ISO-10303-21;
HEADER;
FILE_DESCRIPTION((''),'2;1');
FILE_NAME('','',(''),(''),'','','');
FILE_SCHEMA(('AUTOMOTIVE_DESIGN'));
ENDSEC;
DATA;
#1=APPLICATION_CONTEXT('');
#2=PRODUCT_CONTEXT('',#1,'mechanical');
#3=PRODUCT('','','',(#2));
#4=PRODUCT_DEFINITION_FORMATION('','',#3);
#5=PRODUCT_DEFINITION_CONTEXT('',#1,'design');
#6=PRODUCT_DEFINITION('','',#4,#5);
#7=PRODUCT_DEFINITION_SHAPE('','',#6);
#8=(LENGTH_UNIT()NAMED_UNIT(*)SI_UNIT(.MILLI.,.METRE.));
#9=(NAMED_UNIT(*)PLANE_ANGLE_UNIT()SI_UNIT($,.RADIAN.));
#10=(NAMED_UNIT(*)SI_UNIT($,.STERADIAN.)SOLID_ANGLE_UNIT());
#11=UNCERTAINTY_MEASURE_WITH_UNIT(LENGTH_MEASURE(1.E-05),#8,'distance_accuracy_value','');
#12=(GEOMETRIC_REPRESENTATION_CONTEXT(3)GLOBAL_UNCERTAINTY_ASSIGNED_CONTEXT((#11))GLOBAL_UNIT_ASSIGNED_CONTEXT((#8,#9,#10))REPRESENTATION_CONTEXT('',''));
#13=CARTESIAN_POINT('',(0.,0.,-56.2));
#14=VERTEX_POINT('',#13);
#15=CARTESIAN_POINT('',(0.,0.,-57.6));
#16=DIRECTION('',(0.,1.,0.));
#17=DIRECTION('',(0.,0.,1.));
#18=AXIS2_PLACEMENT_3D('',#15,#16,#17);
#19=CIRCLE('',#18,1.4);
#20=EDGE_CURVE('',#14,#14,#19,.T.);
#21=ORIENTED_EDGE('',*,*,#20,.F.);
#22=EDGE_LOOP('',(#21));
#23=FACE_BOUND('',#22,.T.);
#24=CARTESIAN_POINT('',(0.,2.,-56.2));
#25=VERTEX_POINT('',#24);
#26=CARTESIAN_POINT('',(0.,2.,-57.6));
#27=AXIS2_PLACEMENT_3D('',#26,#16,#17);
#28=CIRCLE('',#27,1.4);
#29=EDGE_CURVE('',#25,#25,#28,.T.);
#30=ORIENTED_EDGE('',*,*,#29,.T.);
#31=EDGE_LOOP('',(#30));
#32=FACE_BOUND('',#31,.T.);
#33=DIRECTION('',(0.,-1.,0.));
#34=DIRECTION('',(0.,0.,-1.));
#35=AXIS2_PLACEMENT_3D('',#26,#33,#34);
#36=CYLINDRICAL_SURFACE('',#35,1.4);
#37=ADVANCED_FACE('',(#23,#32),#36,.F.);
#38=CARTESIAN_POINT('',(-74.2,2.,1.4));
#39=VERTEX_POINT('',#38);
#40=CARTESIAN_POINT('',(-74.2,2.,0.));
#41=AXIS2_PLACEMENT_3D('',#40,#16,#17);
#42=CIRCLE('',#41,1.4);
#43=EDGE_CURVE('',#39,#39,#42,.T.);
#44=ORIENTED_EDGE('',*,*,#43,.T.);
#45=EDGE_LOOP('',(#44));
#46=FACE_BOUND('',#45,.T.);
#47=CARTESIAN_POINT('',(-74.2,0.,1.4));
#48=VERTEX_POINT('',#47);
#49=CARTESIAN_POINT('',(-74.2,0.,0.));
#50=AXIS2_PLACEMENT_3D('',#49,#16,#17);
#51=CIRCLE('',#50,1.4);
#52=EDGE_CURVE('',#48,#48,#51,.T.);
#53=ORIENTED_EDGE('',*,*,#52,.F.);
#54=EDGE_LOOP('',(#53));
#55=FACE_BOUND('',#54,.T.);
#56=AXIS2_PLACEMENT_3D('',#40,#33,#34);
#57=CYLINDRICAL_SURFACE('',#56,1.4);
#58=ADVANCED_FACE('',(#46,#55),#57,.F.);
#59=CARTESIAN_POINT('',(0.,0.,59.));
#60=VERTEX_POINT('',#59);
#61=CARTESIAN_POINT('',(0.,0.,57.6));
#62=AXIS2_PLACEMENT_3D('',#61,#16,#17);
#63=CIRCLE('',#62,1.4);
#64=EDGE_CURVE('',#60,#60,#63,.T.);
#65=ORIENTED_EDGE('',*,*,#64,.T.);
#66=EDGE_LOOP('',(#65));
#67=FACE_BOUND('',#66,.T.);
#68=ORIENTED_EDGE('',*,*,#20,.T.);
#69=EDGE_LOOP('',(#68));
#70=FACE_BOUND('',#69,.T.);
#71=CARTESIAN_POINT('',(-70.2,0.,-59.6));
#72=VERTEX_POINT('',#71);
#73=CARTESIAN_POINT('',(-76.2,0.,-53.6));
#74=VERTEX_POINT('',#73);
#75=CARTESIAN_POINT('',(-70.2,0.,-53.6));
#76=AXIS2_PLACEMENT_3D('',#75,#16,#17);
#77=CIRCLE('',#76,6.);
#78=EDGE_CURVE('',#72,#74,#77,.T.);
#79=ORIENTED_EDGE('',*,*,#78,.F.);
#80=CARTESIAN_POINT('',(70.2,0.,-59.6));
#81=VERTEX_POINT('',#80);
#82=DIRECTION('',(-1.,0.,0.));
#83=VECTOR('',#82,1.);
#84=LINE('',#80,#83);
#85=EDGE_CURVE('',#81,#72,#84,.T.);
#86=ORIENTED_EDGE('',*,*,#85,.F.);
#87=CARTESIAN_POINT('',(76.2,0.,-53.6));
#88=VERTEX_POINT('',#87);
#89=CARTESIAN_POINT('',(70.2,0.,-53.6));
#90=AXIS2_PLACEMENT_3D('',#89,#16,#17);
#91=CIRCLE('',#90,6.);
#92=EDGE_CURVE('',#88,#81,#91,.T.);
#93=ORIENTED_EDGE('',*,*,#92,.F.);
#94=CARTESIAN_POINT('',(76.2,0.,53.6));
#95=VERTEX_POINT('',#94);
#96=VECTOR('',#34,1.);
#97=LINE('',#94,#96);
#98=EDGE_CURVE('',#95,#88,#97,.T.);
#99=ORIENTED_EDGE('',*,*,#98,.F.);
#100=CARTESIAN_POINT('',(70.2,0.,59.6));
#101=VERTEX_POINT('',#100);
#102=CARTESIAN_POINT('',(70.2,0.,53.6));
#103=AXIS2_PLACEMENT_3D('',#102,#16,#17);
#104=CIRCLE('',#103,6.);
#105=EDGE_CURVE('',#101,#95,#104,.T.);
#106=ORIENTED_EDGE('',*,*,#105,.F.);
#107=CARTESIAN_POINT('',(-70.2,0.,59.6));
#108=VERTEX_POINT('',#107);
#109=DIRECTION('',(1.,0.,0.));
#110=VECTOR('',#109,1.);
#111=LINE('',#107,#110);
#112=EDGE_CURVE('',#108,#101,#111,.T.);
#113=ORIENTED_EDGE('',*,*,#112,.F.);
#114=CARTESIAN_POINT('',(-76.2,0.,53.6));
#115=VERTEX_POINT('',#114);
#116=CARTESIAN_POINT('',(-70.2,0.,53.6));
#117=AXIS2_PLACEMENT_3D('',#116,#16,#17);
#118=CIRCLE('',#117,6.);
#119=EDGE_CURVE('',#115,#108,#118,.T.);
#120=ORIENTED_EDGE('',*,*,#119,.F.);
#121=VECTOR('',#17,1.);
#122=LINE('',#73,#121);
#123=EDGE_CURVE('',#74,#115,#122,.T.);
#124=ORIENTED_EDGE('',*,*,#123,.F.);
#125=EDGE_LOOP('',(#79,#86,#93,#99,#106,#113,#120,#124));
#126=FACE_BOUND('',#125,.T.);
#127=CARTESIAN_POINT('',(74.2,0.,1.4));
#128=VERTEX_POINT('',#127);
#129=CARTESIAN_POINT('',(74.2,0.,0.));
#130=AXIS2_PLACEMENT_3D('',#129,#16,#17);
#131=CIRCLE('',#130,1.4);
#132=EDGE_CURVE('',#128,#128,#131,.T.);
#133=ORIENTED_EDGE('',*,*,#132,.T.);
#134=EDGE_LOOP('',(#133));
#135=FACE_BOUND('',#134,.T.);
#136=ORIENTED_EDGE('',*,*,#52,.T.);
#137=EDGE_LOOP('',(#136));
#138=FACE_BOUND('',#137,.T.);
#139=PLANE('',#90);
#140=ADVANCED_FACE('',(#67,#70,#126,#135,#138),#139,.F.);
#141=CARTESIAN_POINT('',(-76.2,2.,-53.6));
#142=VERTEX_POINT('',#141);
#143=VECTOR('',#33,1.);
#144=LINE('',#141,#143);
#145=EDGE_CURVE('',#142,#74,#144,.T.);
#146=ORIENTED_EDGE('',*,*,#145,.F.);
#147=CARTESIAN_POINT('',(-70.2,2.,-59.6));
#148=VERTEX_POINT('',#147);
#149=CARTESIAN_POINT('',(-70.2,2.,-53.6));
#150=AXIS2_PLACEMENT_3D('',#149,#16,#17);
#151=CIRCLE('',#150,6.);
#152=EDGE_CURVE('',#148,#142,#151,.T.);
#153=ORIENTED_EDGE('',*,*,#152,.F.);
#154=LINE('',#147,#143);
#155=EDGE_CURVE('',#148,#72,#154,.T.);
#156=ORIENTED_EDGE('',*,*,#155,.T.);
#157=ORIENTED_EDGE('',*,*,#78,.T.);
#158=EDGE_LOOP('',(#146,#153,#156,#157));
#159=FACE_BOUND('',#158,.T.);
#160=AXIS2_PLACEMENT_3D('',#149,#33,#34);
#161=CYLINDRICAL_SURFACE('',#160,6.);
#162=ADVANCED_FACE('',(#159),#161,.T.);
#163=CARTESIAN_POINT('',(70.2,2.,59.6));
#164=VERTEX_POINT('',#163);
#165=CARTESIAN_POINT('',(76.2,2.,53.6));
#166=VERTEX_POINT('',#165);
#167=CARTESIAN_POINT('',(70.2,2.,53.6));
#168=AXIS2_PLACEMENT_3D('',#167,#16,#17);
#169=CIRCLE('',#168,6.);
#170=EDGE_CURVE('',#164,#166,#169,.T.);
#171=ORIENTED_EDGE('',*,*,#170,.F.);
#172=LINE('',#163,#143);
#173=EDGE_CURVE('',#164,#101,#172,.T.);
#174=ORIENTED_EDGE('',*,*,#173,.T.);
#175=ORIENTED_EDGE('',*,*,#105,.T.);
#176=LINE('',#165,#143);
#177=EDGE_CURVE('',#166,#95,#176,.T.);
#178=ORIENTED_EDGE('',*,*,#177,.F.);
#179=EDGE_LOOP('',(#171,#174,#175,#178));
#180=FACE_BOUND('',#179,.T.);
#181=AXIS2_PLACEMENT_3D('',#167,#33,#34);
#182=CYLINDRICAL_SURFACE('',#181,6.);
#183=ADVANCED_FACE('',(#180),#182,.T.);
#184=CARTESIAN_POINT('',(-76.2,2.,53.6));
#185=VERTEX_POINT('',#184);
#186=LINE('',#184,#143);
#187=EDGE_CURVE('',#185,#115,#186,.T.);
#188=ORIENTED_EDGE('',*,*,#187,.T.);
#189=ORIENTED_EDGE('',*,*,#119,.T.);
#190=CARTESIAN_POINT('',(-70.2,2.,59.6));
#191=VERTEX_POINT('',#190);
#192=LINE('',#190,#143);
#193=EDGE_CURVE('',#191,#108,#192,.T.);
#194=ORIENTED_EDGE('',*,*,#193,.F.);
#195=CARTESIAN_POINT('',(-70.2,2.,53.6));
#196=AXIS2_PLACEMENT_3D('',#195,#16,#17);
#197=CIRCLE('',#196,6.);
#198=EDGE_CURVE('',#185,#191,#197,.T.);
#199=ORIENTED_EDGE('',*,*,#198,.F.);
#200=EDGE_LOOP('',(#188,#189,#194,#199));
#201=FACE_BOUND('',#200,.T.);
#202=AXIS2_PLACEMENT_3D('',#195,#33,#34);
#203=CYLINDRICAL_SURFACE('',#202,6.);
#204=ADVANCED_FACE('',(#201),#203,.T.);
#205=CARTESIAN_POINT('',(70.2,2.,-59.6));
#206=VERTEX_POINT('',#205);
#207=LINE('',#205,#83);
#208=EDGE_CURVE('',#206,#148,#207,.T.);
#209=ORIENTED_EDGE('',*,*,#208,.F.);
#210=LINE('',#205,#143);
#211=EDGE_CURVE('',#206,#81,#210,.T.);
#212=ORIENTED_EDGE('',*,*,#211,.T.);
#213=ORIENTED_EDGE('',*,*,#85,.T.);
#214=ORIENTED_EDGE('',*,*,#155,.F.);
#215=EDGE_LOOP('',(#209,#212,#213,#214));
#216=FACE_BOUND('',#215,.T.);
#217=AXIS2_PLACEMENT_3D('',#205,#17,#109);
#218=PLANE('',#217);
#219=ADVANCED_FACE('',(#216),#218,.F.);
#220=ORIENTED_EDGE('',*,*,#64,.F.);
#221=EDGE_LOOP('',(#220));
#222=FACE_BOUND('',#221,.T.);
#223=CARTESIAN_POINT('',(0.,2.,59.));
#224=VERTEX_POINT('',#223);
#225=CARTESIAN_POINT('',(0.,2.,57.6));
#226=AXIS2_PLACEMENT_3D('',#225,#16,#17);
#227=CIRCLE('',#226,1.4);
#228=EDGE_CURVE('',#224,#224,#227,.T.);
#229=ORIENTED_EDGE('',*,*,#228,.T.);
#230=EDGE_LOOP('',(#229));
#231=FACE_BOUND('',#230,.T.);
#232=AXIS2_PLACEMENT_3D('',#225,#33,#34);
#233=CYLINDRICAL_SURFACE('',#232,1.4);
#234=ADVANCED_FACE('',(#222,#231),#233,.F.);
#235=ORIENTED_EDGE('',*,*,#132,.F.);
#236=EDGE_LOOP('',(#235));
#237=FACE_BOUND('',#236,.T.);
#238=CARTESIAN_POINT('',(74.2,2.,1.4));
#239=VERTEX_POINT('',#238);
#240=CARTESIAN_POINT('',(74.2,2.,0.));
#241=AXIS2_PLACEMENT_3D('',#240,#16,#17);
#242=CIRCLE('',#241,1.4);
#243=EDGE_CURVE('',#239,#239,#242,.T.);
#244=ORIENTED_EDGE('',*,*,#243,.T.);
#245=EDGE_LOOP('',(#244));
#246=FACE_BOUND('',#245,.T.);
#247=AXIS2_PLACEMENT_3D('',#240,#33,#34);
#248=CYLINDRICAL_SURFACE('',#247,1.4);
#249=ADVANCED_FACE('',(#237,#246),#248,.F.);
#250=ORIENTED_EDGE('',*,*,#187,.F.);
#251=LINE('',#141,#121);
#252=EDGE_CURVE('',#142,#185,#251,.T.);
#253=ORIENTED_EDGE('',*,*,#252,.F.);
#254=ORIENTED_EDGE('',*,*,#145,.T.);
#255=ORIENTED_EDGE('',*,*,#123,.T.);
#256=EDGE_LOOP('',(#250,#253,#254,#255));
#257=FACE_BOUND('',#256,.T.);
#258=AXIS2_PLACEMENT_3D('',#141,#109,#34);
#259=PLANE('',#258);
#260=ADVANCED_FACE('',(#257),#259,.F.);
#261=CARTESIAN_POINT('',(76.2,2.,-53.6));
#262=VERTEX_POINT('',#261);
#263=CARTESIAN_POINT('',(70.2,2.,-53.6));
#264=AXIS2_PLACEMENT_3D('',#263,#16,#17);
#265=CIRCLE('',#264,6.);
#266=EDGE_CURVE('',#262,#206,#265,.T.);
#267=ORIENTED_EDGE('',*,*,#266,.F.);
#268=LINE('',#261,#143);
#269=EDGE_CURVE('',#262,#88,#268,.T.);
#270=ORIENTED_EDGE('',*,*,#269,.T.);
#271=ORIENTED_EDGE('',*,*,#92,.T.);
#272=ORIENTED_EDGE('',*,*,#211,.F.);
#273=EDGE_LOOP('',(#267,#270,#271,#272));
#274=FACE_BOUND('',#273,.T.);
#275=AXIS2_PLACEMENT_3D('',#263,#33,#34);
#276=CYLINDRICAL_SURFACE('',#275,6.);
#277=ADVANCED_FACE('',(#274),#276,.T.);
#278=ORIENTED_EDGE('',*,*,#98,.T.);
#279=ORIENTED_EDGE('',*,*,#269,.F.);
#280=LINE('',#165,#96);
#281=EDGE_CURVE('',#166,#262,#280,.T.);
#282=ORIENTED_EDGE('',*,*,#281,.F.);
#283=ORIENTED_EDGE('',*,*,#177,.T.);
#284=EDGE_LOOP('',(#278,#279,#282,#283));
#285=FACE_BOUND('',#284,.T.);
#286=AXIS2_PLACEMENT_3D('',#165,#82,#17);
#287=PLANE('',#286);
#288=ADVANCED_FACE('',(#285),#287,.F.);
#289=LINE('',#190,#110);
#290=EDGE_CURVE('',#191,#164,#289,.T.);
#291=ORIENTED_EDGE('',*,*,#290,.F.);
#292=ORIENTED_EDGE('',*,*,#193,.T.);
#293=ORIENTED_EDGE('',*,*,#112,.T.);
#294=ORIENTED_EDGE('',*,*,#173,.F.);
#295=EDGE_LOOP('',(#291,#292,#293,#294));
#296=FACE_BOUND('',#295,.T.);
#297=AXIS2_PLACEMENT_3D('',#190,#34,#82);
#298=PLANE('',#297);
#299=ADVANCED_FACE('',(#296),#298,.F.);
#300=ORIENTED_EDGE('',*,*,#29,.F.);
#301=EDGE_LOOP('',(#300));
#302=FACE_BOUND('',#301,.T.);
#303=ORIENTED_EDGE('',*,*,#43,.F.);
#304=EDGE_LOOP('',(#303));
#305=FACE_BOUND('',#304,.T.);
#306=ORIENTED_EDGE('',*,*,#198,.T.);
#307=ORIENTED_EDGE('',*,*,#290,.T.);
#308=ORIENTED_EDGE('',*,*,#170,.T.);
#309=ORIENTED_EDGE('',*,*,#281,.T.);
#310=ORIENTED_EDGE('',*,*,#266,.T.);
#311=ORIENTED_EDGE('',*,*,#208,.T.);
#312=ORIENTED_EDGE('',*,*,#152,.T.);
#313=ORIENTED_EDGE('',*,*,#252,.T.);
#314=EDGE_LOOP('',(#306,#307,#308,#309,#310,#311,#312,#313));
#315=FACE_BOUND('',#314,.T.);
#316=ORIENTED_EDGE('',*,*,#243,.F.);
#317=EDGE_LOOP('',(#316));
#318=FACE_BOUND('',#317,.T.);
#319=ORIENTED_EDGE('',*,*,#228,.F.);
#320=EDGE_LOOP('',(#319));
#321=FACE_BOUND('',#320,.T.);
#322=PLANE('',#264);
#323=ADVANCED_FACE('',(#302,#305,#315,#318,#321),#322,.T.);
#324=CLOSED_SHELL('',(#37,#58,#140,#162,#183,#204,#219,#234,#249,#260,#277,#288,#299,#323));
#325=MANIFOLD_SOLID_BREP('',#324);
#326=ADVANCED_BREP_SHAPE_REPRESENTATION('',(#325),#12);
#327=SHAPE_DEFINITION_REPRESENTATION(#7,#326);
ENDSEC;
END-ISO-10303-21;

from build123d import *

# Parameters (mm, degrees)
SKETCH1_R           = 1.4
BOSS_EXTRUDE1_DEPTH = 2


with BuildPart() as part:
    # Sketch1 → Boss-Extrude1 (new body)
    with BuildSketch(Plane(origin=(0, 0, 0), x_dir=(1, 0, 0), z_dir=(0, 1, 0))):
        with BuildLine():
            Line((76.2, -53.6), (76.2, 53.6))
            ThreePointArc((76.2, 53.6), (74.442640687, 57.842640687), (70.2, 59.6))
            Line((70.2, 59.6), (-70.2, 59.6))
            ThreePointArc((-70.2, 59.6), (-74.442640687, 57.842640687), (-76.2, 53.6))
            Line((-76.2, 53.6), (-76.2, -53.6))
            ThreePointArc((-76.2, -53.6), (-74.442640687, -57.842640687), (-70.2, -59.6))
            Line((-70.2, -59.6), (70.2, -59.6))
            ThreePointArc((70.2, -59.6), (74.442640687, -57.842640687), (76.2, -53.6))
        make_face()
        with Locations(Location((0, -57.6, 0), (0, 0, 270))):
            Circle(SKETCH1_R, mode=Mode.SUBTRACT)
        with Locations(Location((74.2, 0, 0), (0, 0, 270))):
            Circle(SKETCH1_R, mode=Mode.SUBTRACT)
        with Locations(Location((0, 57.6, 0), (0, 0, 270))):
            Circle(SKETCH1_R, mode=Mode.SUBTRACT)
        with Locations(Location((-74.2, 0, 0), (0, 0, 270))):
            Circle(SKETCH1_R, mode=Mode.SUBTRACT)
    extrude(amount=BOSS_EXTRUDE1_DEPTH)


solid = part.part
